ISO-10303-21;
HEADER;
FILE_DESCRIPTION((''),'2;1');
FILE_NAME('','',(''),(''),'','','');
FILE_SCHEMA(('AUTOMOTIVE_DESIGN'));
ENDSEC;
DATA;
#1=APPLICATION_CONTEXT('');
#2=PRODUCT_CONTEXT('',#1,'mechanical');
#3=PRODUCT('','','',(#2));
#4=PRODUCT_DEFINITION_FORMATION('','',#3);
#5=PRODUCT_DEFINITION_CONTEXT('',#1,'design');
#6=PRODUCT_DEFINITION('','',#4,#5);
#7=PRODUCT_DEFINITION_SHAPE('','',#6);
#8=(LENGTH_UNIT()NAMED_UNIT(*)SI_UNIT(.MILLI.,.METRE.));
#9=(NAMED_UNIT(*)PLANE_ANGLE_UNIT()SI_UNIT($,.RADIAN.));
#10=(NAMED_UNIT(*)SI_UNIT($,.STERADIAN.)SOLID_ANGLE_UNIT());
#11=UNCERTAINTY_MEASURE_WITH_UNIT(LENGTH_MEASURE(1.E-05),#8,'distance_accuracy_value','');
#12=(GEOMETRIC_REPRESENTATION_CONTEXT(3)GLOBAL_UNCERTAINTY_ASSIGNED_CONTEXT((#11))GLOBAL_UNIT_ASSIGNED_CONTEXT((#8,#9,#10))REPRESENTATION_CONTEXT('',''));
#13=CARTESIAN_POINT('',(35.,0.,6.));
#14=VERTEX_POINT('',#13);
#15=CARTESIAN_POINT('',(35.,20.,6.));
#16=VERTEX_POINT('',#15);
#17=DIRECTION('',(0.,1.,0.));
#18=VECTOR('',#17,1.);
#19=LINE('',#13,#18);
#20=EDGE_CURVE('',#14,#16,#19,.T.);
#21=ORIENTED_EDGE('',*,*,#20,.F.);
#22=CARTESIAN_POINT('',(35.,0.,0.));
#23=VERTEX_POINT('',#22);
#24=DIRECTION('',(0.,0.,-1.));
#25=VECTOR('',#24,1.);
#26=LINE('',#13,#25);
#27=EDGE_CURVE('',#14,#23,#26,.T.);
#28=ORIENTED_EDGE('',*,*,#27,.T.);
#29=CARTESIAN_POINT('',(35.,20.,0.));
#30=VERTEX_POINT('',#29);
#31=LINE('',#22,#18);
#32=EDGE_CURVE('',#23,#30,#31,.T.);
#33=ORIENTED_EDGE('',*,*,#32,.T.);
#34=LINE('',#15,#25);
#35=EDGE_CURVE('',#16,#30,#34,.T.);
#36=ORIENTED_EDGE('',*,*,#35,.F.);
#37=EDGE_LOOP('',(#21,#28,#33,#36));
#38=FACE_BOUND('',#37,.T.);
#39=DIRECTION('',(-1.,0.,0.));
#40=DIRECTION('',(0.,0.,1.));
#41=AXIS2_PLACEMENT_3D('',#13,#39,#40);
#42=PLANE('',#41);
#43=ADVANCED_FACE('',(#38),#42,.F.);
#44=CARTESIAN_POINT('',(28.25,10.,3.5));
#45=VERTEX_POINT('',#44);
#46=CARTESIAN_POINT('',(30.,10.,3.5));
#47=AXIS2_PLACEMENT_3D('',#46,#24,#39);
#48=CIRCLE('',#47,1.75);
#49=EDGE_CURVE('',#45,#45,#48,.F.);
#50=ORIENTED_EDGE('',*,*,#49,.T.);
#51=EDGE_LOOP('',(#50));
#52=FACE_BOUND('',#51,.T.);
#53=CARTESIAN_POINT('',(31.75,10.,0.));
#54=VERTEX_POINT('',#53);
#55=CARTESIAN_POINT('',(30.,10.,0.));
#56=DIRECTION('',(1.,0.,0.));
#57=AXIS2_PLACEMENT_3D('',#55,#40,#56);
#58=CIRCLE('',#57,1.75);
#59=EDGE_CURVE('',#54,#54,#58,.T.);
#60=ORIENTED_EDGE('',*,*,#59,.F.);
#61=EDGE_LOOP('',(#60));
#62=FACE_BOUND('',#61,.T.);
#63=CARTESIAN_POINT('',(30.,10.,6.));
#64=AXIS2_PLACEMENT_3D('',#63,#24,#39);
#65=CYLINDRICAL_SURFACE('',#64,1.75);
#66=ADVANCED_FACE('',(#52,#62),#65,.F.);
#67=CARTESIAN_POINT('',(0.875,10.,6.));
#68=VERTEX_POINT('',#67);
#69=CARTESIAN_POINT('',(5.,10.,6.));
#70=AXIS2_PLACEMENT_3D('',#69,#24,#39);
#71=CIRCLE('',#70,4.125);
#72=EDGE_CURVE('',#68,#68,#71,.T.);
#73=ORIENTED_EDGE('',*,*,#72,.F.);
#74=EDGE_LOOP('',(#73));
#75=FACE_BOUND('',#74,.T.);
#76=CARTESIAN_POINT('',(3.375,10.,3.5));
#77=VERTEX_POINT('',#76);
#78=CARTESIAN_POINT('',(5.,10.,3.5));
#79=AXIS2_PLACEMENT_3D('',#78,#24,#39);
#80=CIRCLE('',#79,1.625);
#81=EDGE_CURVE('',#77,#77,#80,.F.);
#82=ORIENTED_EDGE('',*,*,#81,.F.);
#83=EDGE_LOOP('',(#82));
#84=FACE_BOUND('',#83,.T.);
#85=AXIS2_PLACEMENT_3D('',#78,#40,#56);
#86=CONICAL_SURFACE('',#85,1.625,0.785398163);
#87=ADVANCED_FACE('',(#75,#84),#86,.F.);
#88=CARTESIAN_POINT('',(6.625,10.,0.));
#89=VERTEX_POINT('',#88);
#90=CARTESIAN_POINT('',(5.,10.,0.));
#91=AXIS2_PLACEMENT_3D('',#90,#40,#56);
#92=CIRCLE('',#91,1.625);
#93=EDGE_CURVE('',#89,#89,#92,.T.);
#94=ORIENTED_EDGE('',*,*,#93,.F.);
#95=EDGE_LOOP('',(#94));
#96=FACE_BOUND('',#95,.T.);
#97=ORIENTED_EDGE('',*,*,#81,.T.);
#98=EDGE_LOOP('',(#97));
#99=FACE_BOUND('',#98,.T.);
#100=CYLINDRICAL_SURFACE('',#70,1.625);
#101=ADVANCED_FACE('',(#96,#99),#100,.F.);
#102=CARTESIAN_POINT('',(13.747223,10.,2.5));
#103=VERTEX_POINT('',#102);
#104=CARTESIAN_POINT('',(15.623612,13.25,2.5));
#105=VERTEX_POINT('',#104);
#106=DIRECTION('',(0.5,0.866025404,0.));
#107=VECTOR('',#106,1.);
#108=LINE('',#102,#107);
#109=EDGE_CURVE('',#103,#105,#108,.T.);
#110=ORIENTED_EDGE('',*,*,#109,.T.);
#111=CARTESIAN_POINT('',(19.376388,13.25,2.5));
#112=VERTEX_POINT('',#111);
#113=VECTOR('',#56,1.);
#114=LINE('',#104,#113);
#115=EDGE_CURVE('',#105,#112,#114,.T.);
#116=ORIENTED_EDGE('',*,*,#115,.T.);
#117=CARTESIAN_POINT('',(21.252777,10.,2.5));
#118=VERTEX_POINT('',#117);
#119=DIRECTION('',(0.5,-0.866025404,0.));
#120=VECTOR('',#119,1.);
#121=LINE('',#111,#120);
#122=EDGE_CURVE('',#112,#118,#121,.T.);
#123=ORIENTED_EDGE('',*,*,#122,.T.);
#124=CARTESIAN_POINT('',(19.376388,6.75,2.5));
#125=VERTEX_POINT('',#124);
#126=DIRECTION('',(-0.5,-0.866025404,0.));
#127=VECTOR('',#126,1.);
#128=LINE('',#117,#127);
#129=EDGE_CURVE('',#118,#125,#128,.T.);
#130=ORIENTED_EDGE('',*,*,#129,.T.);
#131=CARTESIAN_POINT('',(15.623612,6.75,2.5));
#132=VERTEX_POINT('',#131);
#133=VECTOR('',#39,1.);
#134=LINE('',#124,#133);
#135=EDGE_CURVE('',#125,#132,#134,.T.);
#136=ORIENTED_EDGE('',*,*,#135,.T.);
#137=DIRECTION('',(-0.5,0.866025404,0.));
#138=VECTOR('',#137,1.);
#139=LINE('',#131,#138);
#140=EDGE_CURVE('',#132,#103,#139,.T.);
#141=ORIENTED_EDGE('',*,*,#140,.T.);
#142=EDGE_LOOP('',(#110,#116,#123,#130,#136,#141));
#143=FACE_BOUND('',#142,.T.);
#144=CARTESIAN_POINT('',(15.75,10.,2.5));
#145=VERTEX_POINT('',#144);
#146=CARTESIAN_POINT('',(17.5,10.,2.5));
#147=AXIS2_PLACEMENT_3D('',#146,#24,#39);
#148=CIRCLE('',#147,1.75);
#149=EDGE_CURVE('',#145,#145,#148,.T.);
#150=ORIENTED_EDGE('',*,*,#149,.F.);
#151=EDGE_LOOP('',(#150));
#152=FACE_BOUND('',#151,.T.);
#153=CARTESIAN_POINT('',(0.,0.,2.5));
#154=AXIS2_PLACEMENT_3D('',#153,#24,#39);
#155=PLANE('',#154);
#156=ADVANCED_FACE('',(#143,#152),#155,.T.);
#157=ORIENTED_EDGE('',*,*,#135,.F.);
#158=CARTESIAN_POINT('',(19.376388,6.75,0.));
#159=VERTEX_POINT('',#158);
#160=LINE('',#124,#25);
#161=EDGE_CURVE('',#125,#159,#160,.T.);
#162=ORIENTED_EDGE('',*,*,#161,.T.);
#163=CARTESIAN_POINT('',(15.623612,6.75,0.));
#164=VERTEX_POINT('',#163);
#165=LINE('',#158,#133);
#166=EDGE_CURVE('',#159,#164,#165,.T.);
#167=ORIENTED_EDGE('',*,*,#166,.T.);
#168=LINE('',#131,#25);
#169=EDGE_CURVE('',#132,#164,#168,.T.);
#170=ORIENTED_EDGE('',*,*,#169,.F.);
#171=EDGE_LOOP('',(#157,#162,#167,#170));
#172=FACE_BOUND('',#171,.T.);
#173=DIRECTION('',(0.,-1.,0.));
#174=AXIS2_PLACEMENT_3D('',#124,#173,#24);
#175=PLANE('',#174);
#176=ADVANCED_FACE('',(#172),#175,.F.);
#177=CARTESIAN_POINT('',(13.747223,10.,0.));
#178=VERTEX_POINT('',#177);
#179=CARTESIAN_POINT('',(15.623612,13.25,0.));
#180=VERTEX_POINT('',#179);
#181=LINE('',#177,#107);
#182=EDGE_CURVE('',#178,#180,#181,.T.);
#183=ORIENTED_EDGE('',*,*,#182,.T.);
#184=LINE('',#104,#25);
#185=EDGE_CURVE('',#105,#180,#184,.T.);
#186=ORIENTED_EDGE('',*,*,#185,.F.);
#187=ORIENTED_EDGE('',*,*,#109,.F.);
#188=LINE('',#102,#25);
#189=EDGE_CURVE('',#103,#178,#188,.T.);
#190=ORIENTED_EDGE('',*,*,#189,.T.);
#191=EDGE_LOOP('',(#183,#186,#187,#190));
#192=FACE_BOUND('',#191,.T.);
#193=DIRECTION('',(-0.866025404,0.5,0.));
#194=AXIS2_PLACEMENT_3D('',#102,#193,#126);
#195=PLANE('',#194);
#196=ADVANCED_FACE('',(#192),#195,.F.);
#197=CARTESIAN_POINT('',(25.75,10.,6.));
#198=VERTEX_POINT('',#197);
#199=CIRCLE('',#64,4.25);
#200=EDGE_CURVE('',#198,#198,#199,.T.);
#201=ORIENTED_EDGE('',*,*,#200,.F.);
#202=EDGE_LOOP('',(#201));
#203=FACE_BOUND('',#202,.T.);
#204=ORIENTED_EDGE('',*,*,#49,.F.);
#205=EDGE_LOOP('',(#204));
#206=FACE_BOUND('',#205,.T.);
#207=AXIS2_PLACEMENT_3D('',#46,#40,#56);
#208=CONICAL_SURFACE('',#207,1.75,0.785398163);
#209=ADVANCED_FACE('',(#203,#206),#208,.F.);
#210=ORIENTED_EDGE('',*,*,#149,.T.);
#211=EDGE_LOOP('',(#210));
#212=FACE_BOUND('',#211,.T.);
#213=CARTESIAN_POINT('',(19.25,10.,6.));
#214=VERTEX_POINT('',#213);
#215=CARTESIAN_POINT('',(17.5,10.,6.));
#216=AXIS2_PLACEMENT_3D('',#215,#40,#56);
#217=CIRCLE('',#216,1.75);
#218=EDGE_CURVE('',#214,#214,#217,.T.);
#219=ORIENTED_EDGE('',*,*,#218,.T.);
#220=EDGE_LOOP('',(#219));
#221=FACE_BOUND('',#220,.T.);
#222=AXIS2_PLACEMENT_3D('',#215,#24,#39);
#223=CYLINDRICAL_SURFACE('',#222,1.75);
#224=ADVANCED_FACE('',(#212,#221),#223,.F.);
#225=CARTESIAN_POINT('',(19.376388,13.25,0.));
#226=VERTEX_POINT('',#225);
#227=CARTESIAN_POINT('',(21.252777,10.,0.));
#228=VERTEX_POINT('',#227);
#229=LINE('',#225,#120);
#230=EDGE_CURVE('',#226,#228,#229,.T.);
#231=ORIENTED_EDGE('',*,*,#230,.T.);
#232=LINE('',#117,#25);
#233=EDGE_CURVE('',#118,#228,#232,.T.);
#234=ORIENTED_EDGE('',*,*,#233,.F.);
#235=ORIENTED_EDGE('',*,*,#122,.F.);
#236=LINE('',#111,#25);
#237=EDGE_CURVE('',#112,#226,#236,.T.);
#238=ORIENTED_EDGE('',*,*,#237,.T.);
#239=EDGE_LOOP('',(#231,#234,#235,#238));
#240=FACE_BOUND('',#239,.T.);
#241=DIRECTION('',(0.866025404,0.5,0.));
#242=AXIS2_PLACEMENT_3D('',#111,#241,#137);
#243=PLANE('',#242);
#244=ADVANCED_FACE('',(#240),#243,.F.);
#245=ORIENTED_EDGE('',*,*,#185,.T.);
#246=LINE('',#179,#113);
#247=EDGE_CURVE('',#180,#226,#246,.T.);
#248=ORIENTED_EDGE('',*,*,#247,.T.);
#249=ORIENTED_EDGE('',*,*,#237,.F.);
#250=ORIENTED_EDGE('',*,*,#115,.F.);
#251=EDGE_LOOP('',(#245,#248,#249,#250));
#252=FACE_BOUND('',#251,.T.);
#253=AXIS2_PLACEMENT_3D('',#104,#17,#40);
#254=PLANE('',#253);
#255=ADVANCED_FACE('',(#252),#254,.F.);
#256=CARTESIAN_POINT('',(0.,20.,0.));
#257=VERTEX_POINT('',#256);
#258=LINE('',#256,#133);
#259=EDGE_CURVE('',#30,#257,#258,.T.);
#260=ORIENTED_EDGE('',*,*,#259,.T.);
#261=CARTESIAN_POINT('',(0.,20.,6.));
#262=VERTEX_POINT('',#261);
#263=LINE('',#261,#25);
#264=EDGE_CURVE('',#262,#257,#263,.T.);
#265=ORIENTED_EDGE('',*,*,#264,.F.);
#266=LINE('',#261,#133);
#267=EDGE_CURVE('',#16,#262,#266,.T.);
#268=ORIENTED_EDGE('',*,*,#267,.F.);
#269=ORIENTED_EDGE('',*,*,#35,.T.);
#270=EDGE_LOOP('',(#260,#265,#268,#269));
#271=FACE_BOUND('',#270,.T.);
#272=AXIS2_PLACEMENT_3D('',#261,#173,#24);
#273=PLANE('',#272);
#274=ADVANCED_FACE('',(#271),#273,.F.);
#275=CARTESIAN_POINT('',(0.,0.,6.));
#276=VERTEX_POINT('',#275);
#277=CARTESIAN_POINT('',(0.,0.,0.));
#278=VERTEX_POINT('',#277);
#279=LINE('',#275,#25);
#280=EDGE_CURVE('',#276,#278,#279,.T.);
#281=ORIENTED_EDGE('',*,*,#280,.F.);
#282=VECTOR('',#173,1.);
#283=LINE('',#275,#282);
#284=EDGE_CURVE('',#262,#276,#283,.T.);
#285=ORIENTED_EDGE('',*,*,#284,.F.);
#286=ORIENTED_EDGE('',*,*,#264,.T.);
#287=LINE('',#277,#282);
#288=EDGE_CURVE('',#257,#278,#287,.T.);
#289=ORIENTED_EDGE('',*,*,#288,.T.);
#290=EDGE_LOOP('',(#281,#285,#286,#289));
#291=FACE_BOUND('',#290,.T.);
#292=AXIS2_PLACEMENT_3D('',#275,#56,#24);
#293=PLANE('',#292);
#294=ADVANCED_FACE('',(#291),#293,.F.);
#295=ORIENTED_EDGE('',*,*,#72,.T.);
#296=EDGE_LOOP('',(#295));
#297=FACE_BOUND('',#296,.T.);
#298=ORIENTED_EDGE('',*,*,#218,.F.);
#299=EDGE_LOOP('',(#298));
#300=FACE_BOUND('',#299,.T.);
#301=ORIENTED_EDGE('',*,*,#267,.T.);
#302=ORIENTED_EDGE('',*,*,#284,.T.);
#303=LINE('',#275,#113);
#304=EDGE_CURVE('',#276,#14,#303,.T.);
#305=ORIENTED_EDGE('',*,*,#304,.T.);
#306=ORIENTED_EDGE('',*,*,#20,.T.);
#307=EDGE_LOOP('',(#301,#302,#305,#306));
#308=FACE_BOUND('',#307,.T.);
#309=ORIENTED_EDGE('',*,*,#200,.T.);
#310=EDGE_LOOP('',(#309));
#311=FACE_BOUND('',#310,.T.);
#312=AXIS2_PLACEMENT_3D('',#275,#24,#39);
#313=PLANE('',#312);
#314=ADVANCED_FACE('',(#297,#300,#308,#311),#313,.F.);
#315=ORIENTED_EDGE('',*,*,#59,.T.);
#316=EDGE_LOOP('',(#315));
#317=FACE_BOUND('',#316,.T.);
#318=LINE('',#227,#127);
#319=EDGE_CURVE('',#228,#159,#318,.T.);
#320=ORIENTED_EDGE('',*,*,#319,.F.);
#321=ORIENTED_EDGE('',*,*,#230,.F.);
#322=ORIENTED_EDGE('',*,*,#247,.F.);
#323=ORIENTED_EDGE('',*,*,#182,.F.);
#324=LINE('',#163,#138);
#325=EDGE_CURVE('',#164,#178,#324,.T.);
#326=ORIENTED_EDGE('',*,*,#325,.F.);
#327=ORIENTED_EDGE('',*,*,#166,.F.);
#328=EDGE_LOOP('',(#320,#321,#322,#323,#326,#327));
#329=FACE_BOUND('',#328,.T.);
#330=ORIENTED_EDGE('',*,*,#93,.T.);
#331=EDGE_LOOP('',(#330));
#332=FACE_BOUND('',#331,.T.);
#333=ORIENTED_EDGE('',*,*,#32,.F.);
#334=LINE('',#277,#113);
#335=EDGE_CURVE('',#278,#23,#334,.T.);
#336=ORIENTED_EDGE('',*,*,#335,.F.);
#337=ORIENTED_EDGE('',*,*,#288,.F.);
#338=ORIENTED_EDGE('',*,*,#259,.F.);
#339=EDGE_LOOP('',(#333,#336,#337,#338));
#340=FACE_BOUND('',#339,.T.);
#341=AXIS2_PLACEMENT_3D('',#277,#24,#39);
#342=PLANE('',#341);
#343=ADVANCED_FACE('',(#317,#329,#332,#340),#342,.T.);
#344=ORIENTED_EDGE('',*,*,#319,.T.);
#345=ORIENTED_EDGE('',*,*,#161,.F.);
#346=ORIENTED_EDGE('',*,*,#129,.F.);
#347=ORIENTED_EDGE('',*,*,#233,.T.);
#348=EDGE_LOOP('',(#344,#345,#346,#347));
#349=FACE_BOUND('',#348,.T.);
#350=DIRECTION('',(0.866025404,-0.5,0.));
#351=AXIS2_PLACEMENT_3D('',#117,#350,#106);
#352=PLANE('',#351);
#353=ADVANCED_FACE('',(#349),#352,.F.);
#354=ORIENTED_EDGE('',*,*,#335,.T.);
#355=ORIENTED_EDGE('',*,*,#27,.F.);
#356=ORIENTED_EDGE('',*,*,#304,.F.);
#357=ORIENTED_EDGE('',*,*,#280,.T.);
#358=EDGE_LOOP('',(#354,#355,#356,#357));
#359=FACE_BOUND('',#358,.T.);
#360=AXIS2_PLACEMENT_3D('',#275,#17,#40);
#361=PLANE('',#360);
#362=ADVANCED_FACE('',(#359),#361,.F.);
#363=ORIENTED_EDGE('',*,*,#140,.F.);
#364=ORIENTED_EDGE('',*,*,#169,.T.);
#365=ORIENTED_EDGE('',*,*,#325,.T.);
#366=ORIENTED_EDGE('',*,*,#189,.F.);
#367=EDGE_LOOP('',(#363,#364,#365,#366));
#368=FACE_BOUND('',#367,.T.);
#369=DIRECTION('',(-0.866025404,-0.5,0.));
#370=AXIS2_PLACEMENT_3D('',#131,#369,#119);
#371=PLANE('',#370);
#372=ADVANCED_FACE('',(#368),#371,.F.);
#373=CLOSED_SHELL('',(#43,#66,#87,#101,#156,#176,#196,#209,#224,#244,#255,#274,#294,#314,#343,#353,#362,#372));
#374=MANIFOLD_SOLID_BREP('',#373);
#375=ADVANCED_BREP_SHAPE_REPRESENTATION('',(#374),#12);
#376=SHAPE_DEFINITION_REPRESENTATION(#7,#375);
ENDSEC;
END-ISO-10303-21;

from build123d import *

# Parameters (mm, degrees)
SKETCH1_W           = 35
SKETCH1_H           = 20
SKETCH1_R           = 1.625
SKETCH1_R_2         = 1.75
BOSS_EXTRUDE1_DEPTH = 6
CHAMFER1_SIZE       = 2.5
CUT_EXTRUDE1_DEPTH  = 2.5


with BuildPart() as part:
    # Sketch1 → Boss-Extrude1 (new body)
    with BuildSketch(Plane.XY):
        with Locations((17.5, 10)):
            Rectangle(SKETCH1_W, SKETCH1_H)
        with Locations((5, 10)):
            Circle(SKETCH1_R, mode=Mode.SUBTRACT)
        with Locations((30, 10)):
            Circle(SKETCH1_R_2, mode=Mode.SUBTRACT)
        with Locations((17.5, 10)):
            Circle(SKETCH1_R_2, mode=Mode.SUBTRACT)
    extrude(amount=BOSS_EXTRUDE1_DEPTH)

    # Chamfer1
    chamfer1_edges = [part.edges().sort_by_distance(p)[0] for p in [
        (3.375, 10, 6),
        (28.25, 10, 6),
    ]]
    chamfer(chamfer1_edges, length=CHAMFER1_SIZE)

    # Sketch2 → Cut-Extrude1 (cut)
    with BuildSketch(Plane(origin=(0, 0, 0), x_dir=(-1, 0, 0), z_dir=(0, 0, -1))):
        Polygon((-19.376388375, 13.25), (-21.25277675, 10), (-19.376388375, 6.75), (-15.623611625, 6.75), (-13.74722325, 10), (-15.623611625, 13.25), align=None)
    extrude(amount=-CUT_EXTRUDE1_DEPTH, mode=Mode.SUBTRACT)


solid = part.part
